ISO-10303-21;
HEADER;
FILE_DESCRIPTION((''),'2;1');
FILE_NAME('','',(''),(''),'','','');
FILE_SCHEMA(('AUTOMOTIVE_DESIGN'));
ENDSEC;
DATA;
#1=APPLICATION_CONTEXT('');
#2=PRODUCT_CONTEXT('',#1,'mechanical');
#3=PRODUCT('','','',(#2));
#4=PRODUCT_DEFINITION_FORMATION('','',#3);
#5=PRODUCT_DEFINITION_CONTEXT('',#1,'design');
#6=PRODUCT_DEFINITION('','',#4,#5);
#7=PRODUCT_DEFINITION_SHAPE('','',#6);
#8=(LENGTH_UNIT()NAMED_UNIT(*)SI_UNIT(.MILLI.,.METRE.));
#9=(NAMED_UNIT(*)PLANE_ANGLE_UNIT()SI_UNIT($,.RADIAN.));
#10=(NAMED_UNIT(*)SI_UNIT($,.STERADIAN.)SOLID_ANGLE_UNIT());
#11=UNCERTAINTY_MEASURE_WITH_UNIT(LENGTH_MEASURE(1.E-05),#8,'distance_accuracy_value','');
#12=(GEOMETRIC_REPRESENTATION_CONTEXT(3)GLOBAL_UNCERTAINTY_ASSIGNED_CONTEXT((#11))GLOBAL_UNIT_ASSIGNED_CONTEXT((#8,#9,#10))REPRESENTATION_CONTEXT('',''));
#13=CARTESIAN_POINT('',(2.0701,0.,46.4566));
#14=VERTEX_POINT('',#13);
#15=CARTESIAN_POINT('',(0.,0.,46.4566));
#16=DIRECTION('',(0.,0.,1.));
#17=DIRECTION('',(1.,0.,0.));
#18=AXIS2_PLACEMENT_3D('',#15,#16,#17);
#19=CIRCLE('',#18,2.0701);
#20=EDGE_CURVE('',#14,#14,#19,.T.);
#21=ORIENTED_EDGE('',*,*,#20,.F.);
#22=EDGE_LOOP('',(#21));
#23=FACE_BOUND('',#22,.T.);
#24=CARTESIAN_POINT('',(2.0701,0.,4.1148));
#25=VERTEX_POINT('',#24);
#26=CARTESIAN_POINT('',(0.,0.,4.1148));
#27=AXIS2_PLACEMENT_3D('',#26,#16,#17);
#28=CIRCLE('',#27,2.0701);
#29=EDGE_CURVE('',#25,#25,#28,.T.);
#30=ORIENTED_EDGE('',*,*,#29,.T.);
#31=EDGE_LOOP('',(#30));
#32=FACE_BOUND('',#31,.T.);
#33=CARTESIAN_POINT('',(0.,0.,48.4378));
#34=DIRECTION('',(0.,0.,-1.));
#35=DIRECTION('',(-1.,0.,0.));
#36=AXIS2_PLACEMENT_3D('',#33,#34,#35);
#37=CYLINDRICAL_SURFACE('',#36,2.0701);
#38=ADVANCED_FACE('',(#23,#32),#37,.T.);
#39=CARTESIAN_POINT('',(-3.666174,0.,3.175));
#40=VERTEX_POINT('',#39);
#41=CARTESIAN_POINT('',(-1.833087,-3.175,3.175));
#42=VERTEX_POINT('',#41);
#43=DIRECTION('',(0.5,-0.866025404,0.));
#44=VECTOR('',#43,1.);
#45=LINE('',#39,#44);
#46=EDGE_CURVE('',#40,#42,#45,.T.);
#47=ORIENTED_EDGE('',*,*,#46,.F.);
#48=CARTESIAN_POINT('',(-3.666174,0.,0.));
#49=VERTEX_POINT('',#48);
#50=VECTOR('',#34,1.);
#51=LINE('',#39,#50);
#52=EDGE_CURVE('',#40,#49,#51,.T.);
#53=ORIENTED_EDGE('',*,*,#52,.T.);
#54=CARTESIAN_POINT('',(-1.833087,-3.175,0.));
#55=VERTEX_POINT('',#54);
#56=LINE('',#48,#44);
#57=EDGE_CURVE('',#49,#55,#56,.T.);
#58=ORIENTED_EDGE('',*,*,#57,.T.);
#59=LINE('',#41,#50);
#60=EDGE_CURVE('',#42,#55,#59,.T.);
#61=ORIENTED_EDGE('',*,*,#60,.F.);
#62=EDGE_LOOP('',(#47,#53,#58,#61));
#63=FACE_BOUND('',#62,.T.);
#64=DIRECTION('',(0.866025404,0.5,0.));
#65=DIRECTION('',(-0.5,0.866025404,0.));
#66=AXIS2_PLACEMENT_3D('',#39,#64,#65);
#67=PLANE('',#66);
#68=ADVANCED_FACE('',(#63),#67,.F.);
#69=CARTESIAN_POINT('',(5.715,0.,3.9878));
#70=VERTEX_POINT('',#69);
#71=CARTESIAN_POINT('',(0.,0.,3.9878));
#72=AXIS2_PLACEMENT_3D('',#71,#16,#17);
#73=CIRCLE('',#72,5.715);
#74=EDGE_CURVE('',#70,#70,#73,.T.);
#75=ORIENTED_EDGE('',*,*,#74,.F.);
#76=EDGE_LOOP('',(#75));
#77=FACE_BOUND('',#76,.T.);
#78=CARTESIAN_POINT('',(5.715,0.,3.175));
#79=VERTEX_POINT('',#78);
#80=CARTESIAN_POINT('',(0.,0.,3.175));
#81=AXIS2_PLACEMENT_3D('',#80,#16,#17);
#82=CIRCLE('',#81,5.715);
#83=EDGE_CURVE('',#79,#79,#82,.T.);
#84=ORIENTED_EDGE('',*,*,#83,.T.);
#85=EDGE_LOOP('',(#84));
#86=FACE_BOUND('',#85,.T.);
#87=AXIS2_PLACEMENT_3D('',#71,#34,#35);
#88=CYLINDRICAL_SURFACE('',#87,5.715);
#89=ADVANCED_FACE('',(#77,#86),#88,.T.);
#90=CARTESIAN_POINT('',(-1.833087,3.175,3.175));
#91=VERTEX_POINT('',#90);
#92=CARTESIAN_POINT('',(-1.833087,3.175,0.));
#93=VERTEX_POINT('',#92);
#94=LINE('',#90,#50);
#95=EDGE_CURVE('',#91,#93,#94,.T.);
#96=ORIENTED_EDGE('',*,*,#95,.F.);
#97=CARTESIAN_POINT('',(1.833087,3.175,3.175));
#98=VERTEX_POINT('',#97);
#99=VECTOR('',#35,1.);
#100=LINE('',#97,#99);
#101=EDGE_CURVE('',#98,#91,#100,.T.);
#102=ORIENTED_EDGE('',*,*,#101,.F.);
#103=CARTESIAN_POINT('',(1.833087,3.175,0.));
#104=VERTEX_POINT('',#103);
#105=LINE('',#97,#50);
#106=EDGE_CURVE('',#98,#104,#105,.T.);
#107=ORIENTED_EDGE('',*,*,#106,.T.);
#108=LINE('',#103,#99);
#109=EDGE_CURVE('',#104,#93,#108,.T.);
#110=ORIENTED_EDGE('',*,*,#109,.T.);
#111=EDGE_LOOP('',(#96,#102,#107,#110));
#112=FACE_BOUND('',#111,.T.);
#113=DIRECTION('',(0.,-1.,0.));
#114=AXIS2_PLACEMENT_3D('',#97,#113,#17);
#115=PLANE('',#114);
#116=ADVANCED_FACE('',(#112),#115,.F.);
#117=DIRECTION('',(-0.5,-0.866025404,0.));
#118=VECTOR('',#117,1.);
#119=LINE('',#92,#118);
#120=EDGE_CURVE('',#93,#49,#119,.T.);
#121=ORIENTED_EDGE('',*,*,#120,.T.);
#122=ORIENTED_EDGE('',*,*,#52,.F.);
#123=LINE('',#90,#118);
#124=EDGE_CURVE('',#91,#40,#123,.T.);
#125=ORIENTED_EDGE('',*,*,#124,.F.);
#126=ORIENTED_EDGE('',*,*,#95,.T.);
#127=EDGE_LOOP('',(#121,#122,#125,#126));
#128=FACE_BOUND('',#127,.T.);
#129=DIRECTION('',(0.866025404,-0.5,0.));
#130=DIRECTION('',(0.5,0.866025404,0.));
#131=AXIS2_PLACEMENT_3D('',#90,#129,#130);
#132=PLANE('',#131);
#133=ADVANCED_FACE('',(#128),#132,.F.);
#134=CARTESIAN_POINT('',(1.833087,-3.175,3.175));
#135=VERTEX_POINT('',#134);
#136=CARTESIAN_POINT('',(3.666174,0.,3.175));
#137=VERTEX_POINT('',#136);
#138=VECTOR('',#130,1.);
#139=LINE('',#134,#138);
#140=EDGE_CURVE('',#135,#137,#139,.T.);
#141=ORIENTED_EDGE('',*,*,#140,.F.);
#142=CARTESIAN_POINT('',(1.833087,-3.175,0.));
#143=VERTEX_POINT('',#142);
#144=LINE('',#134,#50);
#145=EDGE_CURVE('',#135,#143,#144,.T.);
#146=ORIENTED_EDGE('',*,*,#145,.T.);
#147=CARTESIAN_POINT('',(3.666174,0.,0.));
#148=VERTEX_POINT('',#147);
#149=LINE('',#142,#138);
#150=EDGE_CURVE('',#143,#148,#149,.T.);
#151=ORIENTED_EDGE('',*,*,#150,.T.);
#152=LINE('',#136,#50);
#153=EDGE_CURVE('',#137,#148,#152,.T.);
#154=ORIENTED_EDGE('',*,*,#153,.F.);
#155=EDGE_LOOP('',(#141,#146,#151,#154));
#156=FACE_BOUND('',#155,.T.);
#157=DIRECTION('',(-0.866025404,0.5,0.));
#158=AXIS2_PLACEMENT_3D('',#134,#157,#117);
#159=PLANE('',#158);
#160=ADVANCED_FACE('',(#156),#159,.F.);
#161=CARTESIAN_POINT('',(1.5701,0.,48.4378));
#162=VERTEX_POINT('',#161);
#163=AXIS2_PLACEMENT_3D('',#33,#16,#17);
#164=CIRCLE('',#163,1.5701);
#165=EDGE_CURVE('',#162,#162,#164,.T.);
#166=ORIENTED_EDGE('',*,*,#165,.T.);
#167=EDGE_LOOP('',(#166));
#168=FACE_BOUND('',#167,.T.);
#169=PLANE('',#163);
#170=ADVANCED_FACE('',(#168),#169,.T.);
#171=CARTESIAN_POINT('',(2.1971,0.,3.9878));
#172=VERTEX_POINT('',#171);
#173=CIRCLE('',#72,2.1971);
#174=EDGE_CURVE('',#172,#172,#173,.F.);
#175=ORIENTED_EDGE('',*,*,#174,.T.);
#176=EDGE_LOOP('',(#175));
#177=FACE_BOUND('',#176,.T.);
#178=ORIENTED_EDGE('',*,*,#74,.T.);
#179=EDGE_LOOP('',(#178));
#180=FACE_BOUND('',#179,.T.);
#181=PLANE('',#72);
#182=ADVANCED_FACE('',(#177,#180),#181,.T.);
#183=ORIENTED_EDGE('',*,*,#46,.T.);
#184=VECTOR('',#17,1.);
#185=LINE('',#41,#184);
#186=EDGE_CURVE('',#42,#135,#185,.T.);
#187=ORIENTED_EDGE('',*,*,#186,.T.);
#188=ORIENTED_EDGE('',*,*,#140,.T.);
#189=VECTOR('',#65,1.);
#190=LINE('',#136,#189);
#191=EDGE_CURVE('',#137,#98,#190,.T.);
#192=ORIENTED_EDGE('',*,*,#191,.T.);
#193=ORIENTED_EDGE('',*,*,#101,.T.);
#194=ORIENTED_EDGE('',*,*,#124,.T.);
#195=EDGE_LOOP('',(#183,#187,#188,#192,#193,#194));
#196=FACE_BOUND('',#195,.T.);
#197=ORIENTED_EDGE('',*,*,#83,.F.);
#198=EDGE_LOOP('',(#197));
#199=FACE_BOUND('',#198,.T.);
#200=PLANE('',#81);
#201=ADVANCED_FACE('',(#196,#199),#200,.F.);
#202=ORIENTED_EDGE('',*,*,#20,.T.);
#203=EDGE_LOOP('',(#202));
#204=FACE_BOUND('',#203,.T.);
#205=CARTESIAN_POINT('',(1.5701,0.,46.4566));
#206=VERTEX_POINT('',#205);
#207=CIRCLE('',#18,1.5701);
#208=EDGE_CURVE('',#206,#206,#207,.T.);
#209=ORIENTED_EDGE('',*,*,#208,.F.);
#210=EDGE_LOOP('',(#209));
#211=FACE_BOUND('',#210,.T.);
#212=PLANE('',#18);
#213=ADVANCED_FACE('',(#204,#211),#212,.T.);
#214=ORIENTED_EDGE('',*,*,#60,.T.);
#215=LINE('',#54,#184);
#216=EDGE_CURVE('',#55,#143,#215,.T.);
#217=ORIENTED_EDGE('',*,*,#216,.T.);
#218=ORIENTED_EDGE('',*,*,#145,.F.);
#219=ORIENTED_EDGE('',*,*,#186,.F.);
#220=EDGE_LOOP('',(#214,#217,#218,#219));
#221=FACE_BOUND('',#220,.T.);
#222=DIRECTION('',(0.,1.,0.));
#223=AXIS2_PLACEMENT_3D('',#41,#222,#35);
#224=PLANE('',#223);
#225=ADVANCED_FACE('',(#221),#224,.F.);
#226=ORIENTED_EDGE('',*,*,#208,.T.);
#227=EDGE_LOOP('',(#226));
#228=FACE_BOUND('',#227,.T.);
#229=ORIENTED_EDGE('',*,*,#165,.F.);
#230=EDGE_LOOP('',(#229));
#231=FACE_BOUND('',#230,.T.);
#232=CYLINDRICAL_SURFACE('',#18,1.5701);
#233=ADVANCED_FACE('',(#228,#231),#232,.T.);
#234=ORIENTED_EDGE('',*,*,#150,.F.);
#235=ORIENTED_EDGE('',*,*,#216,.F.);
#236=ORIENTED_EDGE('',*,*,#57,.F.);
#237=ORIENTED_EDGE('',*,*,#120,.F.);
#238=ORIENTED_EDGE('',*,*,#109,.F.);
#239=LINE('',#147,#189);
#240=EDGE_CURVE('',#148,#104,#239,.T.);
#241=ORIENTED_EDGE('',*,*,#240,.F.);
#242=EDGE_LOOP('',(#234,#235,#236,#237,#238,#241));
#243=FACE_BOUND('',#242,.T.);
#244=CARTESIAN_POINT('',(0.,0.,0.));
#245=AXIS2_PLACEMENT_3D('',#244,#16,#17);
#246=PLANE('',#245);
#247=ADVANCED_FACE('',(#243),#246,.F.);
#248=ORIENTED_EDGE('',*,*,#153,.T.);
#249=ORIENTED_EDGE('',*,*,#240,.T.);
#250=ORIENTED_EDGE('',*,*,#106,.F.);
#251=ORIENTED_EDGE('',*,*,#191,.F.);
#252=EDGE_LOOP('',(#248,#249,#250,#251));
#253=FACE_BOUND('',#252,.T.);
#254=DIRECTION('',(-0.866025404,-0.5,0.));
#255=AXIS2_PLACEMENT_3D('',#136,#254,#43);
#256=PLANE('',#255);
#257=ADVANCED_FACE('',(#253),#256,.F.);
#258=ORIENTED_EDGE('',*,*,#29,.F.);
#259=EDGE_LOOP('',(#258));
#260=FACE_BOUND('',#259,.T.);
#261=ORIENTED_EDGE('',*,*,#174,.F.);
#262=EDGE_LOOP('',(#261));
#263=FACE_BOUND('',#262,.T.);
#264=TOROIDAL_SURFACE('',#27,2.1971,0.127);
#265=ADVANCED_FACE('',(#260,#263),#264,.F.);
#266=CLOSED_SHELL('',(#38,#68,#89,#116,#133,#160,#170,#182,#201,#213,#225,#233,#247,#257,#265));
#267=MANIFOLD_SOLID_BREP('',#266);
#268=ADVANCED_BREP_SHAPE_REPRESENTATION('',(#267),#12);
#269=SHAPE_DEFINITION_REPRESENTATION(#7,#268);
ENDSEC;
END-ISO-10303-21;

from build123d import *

# Parameters (mm, degrees)
BOSS_EXTRUDE1_DEPTH = 3.175
SKETCH2_R           = 5.715
BOSS_EXTRUDE2_DEPTH = 0.8128
SKETCH3_R           = 2.0701
BOSS_EXTRUDE3_DEPTH = 44.45
FILLET1_R           = 0.127
SKETCH4_OUTSIDE_W   = 23.642
SKETCH4_OUTSIDE_H   = 23.642
SKETCH4_OUTSIDE_R   = 1.5701
CUT_EXTRUDE1_DEPTH  = 1.9812


with BuildPart() as part:
    # Sketch1 → Boss-Extrude1 (new body)
    with BuildSketch(Plane.XY):
        Polygon((3.666174209, 0), (1.833087105, 3.175), (-1.833087105, 3.175), (-3.666174209, 0), (-1.833087105, -3.175), (1.833087105, -3.175), align=None)
    extrude(amount=BOSS_EXTRUDE1_DEPTH)

    # Sketch2 → Boss-Extrude2 (add)
    with BuildSketch(Plane.XY.offset(3.175)):
        Circle(SKETCH2_R)
    extrude(amount=BOSS_EXTRUDE2_DEPTH)

    # Sketch3 → Boss-Extrude3 (add)
    with BuildSketch(Plane.XY.offset(3.9878)):
        Circle(SKETCH3_R)
    extrude(amount=BOSS_EXTRUDE3_DEPTH)

    # Fillet1
    fillet1_edges = [part.edges().sort_by_distance(p)[0] for p in [
        (-2.0701, 0, 3.9878),
    ]]
    fillet(fillet1_edges, radius=FILLET1_R)

    # Sketch4 outside → Cut-Extrude1 (cut)
    with BuildSketch(Plane.XY.offset(48.4378)):
        Rectangle(SKETCH4_OUTSIDE_W, SKETCH4_OUTSIDE_H)
        Circle(SKETCH4_OUTSIDE_R, mode=Mode.SUBTRACT)
    extrude(amount=-CUT_EXTRUDE1_DEPTH, mode=Mode.SUBTRACT)


solid = part.part
